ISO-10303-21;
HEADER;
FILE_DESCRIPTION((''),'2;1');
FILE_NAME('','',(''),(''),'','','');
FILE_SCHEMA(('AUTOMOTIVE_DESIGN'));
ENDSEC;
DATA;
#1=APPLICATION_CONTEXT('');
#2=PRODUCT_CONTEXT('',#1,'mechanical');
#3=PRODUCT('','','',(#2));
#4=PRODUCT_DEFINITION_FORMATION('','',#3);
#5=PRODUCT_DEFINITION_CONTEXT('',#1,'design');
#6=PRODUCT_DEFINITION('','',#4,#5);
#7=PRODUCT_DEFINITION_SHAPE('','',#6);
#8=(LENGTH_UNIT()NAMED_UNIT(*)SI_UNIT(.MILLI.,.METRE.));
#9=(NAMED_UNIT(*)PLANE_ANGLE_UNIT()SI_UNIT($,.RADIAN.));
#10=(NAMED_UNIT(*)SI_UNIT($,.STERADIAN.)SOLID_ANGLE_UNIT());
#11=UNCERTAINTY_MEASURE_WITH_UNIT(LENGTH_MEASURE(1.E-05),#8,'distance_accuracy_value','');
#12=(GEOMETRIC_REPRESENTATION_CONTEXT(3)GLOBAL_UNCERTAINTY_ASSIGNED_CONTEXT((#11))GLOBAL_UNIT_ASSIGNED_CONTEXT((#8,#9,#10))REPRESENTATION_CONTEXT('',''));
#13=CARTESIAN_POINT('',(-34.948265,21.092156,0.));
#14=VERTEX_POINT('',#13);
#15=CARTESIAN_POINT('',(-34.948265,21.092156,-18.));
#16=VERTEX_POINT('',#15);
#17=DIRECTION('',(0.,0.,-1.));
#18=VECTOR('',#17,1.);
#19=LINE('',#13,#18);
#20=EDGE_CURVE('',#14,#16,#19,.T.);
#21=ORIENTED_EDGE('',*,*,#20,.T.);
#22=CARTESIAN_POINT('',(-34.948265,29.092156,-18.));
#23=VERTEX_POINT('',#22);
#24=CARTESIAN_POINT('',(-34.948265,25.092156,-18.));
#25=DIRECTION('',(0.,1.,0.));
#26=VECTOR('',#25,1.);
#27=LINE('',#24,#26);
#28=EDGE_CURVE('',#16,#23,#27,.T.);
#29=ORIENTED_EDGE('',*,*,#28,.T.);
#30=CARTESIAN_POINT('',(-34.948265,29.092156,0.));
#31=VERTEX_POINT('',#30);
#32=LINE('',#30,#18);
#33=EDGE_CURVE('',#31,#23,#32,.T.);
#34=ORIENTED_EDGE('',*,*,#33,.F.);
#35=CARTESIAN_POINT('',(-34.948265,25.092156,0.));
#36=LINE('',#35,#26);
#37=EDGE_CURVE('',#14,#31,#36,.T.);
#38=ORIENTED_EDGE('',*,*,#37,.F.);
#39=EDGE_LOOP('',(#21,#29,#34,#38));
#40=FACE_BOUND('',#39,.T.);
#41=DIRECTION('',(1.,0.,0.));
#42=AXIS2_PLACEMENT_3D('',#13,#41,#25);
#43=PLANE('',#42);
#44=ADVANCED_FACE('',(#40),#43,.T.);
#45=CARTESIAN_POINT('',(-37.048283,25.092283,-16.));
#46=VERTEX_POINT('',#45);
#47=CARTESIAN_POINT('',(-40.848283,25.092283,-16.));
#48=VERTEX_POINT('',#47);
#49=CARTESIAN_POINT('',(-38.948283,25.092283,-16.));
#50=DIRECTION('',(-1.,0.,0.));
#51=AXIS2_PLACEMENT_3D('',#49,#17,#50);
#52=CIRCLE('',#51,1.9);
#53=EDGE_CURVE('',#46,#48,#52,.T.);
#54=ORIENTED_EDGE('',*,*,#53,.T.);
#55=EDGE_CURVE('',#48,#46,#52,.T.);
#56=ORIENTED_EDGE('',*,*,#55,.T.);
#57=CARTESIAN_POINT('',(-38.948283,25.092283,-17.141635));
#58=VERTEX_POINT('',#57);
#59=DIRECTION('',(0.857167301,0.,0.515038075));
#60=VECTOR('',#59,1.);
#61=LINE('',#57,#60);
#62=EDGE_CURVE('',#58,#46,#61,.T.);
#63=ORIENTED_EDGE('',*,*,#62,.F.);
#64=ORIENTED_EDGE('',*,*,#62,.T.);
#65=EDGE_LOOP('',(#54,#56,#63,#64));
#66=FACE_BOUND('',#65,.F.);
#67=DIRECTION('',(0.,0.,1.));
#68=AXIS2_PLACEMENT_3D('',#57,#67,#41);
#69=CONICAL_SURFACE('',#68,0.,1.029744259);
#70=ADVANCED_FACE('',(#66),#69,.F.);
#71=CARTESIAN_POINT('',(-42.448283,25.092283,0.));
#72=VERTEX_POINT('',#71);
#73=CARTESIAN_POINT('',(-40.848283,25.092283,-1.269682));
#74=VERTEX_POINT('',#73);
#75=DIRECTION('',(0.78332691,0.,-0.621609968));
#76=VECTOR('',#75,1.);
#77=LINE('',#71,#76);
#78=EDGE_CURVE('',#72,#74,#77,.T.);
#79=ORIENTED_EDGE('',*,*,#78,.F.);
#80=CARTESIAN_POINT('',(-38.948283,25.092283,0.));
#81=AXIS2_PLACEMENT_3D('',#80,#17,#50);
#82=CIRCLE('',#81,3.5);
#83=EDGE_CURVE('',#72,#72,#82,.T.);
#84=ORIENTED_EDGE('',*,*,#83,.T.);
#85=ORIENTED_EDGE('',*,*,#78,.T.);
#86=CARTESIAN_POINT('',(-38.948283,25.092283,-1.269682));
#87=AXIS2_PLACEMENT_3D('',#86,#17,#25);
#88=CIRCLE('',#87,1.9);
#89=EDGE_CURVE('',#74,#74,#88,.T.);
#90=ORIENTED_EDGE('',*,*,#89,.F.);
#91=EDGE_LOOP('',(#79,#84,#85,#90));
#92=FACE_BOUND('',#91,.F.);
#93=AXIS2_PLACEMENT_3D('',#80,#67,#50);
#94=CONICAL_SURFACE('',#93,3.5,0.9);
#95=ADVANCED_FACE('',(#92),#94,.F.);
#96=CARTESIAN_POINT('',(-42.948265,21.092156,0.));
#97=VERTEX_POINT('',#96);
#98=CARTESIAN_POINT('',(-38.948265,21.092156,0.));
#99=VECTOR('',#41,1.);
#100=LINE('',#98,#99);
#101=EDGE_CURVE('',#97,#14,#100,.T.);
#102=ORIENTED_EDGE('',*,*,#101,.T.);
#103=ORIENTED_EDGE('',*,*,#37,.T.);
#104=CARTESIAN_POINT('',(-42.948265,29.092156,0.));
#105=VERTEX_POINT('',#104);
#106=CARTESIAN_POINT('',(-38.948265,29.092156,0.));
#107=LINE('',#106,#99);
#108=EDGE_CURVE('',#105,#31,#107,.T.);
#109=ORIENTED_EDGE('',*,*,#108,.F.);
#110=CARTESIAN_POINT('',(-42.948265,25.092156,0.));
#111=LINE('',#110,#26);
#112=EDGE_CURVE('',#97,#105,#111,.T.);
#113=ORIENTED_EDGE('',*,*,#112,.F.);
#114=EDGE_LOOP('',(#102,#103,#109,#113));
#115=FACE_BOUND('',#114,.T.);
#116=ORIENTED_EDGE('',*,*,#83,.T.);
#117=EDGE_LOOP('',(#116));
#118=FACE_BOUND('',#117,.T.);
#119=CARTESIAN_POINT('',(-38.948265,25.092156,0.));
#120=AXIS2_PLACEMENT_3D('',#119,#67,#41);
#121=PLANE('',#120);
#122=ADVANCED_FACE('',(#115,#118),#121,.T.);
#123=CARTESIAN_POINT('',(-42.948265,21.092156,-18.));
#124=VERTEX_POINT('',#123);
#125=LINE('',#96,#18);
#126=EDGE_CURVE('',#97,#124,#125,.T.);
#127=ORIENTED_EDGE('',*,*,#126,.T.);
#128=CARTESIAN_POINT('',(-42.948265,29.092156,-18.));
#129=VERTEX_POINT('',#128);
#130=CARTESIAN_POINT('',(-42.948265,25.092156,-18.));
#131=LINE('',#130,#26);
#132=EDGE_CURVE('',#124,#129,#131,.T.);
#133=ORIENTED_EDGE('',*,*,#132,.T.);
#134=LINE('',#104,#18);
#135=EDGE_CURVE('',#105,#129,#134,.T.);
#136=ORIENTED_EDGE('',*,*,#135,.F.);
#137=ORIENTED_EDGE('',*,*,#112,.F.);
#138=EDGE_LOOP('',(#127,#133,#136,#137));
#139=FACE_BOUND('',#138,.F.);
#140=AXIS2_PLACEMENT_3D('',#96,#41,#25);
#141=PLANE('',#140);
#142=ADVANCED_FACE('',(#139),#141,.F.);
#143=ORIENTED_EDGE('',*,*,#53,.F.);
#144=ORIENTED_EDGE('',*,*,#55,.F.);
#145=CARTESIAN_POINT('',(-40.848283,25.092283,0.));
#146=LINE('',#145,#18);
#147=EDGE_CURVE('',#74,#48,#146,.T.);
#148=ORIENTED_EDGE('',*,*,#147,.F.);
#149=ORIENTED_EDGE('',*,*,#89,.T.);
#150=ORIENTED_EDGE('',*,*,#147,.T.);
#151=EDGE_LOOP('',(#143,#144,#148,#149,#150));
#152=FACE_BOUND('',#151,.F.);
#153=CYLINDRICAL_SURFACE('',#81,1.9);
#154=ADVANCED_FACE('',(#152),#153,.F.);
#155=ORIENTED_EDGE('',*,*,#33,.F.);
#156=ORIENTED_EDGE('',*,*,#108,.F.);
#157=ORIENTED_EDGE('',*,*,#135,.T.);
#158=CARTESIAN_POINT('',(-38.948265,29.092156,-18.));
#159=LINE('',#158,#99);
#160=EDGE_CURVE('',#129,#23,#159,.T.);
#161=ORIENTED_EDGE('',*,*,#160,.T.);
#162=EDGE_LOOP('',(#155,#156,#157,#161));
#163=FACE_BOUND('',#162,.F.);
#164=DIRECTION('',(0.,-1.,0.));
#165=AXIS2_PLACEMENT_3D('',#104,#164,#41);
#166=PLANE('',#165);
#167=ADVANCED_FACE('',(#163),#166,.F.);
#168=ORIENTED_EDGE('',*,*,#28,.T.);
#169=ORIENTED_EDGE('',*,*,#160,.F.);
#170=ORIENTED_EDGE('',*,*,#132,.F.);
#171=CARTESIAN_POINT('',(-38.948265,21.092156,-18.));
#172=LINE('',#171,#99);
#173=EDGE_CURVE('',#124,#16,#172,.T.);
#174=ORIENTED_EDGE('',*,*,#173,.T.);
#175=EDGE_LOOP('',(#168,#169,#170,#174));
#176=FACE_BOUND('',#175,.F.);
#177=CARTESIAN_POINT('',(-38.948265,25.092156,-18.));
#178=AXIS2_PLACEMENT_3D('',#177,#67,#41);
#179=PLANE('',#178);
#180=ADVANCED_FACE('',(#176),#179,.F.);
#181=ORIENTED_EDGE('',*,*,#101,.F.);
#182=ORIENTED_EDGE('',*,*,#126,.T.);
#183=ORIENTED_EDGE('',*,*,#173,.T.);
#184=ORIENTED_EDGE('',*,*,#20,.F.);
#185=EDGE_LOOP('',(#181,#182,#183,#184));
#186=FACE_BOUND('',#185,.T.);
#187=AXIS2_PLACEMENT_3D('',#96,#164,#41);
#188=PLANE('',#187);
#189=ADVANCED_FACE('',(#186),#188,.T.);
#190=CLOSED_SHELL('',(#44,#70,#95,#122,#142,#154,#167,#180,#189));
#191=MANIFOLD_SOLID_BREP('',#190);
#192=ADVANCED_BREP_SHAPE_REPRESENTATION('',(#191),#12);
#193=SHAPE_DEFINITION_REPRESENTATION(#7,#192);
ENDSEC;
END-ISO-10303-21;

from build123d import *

# Parameters (mm, degrees)
F0_W           = 8
F0_H           = 8
F2_DEPTH       = 18
F3_D           = 3.8
F3_DEPTH       = 16
F3_CSINK_D     = 7
F3_CSINK_ANGLE = 103.1324031235
F3_TIP         = 1.1416351762


with BuildPart() as f2:
    # F0 (on Top) → F2 (new body)
    with BuildSketch(Plane.XY):
        with Locations((-38.9482649043, 25.0921558993)):
            Rectangle(F0_W, F0_H)
    extrude(amount=-F2_DEPTH)

    # F3
    with Locations(Plane.XY):
        with Locations((-38.9482825994, 25.0922832638)):
            CounterSinkHole(F3_D / 2, F3_CSINK_D / 2, depth=F3_DEPTH, counter_sink_angle=F3_CSINK_ANGLE)
            with Locations((0, 0, -(F3_DEPTH + F3_TIP / 2))):  # 118° drill point
                Cone(0, F3_D / 2, F3_TIP, mode=Mode.SUBTRACT)


solid = f2.part
